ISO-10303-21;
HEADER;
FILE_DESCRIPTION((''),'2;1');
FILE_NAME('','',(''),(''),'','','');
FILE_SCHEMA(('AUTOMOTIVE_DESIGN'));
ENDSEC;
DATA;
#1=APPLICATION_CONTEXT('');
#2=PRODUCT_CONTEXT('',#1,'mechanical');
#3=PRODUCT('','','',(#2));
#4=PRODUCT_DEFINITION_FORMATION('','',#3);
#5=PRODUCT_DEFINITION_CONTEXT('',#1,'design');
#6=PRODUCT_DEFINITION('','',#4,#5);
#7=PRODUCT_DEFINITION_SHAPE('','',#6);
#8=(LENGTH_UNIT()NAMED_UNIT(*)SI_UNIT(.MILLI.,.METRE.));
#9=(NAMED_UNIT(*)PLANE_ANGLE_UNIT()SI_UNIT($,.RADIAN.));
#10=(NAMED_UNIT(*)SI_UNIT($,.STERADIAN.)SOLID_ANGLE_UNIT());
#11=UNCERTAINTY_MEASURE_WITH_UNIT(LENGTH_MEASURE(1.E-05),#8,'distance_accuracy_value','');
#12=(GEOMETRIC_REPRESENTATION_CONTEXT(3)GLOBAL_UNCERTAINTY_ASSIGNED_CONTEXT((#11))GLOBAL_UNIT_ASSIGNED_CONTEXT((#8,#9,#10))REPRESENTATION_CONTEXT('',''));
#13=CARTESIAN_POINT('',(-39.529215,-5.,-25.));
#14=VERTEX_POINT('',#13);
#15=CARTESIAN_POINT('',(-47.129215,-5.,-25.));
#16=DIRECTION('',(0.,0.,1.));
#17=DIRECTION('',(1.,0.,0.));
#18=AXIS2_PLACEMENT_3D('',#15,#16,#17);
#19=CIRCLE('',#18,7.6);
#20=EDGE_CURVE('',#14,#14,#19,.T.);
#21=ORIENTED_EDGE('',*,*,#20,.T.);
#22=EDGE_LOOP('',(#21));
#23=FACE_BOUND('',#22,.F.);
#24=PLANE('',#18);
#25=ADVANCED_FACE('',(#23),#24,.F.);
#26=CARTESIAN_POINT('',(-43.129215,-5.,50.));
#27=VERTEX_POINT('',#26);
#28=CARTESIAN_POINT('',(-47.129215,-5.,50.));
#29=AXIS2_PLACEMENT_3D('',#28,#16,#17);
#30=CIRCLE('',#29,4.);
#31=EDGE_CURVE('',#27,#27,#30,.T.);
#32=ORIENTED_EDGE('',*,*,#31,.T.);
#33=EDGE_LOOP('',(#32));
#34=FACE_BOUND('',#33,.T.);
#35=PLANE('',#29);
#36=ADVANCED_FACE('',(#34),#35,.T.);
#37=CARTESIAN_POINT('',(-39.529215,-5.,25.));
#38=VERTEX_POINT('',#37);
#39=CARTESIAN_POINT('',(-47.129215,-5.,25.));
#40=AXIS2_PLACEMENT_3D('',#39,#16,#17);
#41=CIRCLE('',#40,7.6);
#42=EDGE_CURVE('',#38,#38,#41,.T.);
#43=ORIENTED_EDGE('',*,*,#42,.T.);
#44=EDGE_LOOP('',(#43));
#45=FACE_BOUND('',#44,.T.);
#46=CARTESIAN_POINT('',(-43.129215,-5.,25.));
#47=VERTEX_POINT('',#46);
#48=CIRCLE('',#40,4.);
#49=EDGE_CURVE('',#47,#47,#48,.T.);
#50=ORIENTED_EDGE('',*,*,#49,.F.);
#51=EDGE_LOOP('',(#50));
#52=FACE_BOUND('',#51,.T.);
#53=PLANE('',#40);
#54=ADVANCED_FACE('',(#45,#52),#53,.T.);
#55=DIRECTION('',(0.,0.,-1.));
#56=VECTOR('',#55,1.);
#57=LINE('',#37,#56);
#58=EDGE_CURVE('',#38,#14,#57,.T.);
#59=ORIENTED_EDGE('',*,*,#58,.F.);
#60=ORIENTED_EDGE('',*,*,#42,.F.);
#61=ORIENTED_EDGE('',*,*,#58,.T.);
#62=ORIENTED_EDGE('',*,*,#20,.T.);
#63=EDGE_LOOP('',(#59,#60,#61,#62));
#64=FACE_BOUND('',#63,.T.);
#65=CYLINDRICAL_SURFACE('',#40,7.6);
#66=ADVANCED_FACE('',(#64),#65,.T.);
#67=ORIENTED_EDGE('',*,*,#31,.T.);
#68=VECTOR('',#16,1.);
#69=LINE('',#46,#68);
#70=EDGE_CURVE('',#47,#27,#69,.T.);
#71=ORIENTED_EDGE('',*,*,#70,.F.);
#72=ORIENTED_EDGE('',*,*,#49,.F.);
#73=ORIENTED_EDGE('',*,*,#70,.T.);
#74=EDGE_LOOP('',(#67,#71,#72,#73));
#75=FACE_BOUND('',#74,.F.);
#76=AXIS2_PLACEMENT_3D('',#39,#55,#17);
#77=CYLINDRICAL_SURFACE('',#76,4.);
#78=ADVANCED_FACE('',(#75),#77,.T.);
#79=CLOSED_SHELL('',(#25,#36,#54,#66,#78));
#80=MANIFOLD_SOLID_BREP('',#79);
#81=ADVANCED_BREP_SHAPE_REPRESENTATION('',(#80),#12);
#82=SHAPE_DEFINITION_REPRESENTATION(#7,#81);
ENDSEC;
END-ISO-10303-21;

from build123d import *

# Parameters (mm, degrees)
F0_R     = 7.6
F0_R_2   = 4
F1_DEPTH = 50
F2_DEPTH = 25


with BuildPart() as f1:
    # F0 (on Top) → F1 (new body)
    with BuildSketch(Plane.XY):
        with Locations((-47.129215, 0)):
            Circle(F0_R)
        with Locations((-47.129215, 0)):
            Circle(F0_R_2, mode=Mode.SUBTRACT)
        with Locations((-47.129215, 0)):
            Circle(F0_R_2)
    extrude(amount=-F1_DEPTH)

    # F0 (on Top) → F2 (join)
    with BuildSketch(Plane.XY):
        with Locations((-47.129215, 0)):
            Circle(F0_R_2)
    extrude(amount=F2_DEPTH)


with BuildPart() as f1_1:
    # F3: moved
    add(f1.part.moved(Location((0, -5, 25))))


solid = f1_1.part
